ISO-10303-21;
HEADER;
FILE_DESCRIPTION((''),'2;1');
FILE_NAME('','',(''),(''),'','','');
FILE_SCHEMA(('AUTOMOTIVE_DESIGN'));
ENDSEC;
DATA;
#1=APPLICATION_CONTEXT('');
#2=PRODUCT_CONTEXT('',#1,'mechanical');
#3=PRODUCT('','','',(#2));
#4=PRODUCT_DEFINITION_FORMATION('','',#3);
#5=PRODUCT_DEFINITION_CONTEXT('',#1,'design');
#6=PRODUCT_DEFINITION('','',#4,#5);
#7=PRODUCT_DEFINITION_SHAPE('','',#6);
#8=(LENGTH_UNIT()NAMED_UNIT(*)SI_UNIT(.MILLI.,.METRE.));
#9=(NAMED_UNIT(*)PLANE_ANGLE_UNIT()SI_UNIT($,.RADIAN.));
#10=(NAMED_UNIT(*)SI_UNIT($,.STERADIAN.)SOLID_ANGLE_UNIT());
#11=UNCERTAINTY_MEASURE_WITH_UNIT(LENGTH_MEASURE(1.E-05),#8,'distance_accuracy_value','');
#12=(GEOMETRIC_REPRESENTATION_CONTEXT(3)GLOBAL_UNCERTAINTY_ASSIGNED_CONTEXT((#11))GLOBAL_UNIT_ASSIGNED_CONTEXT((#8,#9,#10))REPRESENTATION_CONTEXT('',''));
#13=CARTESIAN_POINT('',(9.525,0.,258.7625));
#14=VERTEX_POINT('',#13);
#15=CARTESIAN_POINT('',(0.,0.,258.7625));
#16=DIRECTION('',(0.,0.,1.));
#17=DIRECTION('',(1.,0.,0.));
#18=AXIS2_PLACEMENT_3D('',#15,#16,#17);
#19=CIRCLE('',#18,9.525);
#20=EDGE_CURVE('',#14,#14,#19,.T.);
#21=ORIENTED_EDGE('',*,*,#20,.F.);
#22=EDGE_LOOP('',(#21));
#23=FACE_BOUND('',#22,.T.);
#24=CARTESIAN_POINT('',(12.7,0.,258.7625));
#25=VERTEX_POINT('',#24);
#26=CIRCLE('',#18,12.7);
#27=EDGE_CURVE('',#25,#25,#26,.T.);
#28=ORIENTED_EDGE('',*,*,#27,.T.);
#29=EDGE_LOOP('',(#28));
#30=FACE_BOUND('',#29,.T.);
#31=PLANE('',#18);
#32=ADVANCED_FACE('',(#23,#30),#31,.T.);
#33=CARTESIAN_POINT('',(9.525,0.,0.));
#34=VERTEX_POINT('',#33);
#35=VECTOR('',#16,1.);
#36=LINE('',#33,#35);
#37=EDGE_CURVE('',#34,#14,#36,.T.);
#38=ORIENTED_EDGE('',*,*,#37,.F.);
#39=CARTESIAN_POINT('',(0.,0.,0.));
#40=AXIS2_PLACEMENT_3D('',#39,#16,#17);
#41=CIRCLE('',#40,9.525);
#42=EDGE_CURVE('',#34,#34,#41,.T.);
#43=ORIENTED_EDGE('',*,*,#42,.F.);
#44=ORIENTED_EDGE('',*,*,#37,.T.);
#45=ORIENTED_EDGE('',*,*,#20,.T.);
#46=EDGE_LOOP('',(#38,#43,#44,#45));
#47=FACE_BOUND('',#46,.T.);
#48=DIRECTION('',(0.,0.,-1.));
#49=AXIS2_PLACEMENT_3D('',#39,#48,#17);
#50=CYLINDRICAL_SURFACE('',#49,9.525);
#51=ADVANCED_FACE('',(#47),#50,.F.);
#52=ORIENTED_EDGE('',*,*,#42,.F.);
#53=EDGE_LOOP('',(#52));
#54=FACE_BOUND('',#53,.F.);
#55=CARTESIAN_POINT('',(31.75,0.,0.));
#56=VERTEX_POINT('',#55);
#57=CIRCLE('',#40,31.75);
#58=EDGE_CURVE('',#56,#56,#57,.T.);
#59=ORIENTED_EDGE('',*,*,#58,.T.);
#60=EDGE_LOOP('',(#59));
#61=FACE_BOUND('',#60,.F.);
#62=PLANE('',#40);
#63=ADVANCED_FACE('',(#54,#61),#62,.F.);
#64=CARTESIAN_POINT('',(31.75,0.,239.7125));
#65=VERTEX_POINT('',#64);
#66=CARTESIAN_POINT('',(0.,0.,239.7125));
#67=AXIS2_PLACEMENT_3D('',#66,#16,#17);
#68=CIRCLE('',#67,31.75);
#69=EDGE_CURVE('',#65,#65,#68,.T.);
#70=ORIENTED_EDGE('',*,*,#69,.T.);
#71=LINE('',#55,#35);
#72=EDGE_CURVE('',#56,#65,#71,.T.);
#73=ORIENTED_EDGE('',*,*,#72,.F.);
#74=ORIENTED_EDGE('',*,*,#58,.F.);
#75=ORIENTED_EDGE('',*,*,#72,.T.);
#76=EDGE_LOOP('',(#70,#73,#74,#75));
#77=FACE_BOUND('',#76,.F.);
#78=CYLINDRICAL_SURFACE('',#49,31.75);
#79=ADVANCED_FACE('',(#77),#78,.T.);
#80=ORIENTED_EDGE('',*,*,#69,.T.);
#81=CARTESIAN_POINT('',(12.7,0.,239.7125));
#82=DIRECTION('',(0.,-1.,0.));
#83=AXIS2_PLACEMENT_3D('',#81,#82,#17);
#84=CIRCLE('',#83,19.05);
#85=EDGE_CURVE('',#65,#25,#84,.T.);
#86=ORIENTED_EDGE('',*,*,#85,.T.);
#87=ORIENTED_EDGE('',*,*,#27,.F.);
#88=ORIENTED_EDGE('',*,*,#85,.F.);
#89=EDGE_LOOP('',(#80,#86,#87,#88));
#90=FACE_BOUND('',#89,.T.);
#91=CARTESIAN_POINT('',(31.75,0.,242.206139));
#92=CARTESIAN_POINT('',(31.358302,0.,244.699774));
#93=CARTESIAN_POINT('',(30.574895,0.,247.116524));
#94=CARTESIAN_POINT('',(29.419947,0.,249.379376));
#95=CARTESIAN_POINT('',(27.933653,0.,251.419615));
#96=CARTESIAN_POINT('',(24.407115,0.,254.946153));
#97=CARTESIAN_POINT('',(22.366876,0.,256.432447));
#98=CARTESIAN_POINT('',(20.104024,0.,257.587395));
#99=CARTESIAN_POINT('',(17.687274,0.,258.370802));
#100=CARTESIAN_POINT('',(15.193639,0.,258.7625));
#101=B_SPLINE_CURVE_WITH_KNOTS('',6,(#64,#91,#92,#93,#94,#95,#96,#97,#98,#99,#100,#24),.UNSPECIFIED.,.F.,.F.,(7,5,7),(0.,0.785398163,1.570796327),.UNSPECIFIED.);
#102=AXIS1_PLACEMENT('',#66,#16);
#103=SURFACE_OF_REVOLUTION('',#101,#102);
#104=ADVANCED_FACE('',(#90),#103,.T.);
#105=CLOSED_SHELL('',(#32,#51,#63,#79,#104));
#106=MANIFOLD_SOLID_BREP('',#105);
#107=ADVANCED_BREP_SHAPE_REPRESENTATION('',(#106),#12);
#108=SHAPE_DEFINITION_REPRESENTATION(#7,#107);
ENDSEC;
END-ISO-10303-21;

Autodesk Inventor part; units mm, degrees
ref_plane "YZ Plane" through (0, 0, 0) normal (1, 0, 0) x (0, 1, 0)
ref_plane "XZ Plane" through (0, 0, 0) normal (0, 1, 0) x (-1, 0, 0)
ref_plane "XY Plane" through (0, 0, 0) normal (0, 0, 1) x (1, 0, 0)
sketch "Sketch1" plane through (0, 0, 0) normal (0, 0, 1) x (1, 0, 0)
  circle A0 centre (0, 0) radius 31.75
  circle A1 centre (0, 0) radius 9.525
  dimension "d0" = 63.5
  dimension "d1" = 19.05
extrude "Extrusion1" add sketch "Sketch1" along normal blind 258.7625
fillet "Fillet1" radius 19.05 1 edges at (-31.75, 0, 258.7625)
properties part number "Pool Noodle Part4 (24x28 robot)"
